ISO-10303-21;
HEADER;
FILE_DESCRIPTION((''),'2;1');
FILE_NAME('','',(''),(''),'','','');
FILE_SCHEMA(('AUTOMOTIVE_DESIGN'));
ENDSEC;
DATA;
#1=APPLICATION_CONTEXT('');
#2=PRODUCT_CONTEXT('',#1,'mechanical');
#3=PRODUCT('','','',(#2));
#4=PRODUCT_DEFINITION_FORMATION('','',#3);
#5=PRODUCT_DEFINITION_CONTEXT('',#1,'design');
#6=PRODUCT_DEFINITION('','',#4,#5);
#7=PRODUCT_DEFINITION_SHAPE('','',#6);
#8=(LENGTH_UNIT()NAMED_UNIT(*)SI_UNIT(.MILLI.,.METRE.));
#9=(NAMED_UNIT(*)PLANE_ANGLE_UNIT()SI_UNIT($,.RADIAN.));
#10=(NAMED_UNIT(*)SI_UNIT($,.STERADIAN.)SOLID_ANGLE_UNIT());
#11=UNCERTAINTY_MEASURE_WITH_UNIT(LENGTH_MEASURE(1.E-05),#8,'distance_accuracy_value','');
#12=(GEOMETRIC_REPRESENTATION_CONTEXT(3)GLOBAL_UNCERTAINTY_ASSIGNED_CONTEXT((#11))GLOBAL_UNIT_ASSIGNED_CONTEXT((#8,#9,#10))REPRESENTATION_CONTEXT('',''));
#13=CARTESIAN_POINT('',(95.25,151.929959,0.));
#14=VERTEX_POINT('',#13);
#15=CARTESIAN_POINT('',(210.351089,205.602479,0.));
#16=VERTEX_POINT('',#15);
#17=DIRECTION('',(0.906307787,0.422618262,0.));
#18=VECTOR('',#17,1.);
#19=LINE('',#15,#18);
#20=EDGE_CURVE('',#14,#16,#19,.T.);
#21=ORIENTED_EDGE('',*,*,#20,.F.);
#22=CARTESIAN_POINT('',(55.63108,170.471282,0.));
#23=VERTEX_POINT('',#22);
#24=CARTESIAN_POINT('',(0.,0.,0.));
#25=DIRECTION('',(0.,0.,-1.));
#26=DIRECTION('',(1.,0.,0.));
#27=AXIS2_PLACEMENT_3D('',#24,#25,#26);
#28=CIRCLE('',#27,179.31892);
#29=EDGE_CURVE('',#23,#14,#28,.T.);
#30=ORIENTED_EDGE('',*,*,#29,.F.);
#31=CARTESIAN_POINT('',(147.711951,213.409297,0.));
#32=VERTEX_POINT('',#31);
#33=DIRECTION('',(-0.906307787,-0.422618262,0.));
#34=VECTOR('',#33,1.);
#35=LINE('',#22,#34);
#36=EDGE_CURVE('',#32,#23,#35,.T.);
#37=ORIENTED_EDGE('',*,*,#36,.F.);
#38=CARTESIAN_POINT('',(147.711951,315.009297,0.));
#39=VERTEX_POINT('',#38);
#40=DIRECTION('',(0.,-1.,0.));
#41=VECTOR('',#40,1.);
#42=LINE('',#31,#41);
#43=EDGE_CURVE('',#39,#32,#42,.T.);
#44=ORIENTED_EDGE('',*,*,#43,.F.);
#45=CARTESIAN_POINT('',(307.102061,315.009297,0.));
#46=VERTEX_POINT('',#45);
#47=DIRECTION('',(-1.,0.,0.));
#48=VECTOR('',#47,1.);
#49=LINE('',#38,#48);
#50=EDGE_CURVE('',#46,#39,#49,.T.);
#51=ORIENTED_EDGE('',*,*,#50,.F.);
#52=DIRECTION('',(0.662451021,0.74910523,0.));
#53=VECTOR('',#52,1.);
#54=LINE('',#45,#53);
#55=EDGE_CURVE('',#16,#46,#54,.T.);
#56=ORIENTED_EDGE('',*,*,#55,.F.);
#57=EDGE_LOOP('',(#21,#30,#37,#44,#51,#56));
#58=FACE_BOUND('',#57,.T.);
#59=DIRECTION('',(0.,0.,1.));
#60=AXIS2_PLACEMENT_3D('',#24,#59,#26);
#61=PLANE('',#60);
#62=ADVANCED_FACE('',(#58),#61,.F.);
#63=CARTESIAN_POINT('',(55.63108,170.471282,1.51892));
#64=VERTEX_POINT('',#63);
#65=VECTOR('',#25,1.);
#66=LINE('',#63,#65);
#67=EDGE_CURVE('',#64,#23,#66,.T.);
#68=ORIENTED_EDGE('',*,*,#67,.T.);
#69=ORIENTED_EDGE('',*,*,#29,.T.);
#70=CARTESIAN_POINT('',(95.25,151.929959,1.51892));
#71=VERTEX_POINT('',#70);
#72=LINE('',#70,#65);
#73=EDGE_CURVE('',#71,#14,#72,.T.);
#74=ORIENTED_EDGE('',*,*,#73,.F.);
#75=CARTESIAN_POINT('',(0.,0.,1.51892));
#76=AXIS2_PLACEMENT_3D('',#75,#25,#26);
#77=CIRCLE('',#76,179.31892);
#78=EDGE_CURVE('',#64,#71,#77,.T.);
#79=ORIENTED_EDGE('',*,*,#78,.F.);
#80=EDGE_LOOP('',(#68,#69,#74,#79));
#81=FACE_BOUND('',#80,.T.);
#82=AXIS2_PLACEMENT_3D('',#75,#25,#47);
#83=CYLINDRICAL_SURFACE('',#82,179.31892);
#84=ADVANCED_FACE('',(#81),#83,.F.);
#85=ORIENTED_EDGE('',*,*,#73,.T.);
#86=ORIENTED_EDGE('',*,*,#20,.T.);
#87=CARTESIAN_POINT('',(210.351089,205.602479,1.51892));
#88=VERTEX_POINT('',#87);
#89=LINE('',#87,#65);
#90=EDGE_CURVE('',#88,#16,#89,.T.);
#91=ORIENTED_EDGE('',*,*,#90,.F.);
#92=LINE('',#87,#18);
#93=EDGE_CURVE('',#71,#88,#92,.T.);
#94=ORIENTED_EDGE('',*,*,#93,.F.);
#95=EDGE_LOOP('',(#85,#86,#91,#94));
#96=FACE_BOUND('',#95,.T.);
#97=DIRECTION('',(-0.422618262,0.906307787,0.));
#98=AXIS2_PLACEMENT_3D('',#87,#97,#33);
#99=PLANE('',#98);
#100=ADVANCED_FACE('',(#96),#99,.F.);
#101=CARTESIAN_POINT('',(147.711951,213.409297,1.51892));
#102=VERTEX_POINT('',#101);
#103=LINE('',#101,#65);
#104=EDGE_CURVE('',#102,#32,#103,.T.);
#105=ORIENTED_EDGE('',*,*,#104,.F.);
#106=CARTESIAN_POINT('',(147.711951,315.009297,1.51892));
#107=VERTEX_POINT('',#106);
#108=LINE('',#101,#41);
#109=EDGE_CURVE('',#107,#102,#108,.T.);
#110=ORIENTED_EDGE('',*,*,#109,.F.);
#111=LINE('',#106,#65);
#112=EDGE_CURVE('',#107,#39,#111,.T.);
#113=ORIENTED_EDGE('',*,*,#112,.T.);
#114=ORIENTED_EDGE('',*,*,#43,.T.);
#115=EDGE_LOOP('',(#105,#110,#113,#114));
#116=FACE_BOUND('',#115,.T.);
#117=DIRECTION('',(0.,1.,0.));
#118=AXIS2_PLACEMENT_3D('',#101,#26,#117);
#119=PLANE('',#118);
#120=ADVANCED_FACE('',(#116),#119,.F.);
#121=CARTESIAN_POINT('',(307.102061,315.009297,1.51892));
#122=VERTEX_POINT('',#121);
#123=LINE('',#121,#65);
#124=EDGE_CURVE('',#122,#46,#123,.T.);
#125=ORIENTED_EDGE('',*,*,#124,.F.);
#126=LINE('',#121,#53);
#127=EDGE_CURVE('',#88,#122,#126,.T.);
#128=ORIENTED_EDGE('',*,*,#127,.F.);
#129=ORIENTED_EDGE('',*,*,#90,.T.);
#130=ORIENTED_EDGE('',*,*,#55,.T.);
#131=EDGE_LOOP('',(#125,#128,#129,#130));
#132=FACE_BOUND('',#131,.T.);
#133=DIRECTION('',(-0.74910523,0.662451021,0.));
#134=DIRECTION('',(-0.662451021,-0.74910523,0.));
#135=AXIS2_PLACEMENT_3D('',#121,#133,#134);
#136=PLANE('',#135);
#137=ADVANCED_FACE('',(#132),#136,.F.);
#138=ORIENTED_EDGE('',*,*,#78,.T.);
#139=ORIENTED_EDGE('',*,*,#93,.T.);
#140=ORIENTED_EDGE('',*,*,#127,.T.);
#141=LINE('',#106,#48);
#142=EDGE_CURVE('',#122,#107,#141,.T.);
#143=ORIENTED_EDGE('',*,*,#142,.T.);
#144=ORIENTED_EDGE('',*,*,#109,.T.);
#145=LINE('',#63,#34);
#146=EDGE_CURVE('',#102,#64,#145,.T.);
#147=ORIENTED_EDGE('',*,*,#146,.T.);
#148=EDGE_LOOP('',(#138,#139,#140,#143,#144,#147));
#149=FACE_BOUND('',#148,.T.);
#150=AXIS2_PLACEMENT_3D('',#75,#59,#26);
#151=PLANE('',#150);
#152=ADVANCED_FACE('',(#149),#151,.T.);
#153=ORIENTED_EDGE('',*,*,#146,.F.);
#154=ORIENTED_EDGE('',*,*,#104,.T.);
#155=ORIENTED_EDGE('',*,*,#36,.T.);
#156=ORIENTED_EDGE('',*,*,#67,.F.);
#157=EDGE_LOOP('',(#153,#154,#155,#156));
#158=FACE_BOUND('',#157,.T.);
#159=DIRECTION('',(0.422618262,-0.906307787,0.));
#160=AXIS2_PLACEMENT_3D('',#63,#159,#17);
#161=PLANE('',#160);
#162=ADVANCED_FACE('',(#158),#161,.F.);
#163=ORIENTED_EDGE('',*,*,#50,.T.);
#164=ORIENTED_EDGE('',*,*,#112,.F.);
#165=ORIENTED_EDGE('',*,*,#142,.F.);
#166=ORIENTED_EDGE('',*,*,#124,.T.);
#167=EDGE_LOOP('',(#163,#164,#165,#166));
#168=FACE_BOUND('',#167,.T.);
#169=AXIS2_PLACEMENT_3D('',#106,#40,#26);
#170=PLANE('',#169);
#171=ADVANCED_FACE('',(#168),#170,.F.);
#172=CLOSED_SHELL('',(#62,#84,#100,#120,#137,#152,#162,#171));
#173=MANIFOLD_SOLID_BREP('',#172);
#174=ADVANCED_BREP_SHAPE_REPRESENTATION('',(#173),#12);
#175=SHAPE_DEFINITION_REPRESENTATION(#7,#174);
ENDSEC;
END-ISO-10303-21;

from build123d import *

# Parameters (mm, degrees)
BOSS_EXTRUDE1_DEPTH = 1.51892


with BuildPart() as part:
    # Sketch1 → Boss-Extrude1 (new body)
    with BuildSketch(Plane.XY):
        with BuildLine():
            Line((55.63108, 170.471282062), (147.711951163, 213.409297455))
            Line((147.711951163, 213.409297455), (147.711951163, 315.009297455))
            Line((147.711951163, 315.009297455), (307.102060534, 315.009297455))
            Line((307.102060534, 315.009297455), (210.351088954, 205.602478663))
            Line((210.351088954, 205.602478663), (95.25, 151.929959422))
            ThreePointArc((95.25, 151.929959422), (76.00802745, 162.41322247), (55.63108, 170.471282062))
        make_face()
    extrude(amount=BOSS_EXTRUDE1_DEPTH)


solid = part.part
